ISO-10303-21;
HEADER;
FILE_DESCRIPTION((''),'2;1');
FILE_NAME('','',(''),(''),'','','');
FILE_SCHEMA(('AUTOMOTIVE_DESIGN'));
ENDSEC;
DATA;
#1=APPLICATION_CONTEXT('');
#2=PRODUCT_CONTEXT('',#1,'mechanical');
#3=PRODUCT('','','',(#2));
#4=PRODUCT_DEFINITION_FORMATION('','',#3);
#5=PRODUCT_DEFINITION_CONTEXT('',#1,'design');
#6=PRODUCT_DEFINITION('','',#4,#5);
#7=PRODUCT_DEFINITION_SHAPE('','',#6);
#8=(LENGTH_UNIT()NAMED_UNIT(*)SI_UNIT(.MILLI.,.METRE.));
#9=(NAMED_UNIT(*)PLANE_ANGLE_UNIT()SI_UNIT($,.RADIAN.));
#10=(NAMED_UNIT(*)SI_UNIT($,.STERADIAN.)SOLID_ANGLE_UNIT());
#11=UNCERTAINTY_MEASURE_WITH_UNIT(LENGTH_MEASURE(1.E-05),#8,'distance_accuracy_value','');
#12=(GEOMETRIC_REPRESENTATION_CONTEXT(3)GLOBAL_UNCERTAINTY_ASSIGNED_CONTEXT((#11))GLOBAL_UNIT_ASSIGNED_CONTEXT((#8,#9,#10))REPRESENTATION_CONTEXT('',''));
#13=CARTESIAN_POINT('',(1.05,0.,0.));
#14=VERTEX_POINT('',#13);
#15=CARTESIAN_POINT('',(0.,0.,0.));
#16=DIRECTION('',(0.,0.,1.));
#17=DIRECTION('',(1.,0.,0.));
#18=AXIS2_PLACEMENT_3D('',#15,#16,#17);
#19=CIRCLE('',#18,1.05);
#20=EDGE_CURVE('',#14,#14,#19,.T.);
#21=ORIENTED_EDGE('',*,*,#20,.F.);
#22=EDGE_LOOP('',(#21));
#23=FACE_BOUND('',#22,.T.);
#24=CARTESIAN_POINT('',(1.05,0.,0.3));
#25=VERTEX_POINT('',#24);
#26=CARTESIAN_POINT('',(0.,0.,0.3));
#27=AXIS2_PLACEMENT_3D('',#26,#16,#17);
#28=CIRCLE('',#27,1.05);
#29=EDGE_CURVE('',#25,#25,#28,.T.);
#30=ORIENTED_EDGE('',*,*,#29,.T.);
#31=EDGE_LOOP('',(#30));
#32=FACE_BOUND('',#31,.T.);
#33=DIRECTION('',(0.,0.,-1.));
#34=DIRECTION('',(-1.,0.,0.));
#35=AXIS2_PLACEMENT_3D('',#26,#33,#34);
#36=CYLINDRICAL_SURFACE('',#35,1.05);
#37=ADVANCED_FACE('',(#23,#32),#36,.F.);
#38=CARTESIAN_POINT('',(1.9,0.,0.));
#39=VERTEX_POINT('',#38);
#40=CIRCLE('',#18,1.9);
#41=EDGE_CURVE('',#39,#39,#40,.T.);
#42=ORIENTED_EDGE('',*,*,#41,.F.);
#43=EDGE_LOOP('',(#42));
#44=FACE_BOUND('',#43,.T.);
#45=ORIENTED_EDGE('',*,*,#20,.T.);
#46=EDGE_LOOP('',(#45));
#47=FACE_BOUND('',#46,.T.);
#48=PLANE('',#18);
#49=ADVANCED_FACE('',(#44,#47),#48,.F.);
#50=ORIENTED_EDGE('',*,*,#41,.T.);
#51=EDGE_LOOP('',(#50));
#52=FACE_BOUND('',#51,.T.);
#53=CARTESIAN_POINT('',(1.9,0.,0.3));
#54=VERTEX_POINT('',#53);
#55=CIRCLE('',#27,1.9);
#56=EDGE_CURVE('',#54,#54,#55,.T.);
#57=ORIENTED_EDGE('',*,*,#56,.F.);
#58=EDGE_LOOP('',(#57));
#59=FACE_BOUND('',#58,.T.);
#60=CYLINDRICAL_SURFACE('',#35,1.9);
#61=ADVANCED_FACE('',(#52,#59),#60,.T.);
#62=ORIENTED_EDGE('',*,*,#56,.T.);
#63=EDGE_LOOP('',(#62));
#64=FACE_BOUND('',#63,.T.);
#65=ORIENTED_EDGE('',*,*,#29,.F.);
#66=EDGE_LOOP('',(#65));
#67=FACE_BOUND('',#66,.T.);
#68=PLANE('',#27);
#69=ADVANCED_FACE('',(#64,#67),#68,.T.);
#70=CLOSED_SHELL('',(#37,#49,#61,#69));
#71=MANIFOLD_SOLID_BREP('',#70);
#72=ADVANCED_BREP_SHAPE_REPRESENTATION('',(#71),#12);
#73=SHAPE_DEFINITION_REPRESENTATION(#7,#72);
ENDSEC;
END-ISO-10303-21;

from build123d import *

# Parameters (mm, degrees)
SKETCH1_R    = 1.9
SKETCH1_R_2  = 1.05
WASHER_DEPTH = 0.3


with BuildPart() as part:
    # Sketch1 → Washer (new body)
    with BuildSketch(Plane.XY):
        Circle(SKETCH1_R)
        Circle(SKETCH1_R_2, mode=Mode.SUBTRACT)
    extrude(amount=WASHER_DEPTH)


solid = part.part
